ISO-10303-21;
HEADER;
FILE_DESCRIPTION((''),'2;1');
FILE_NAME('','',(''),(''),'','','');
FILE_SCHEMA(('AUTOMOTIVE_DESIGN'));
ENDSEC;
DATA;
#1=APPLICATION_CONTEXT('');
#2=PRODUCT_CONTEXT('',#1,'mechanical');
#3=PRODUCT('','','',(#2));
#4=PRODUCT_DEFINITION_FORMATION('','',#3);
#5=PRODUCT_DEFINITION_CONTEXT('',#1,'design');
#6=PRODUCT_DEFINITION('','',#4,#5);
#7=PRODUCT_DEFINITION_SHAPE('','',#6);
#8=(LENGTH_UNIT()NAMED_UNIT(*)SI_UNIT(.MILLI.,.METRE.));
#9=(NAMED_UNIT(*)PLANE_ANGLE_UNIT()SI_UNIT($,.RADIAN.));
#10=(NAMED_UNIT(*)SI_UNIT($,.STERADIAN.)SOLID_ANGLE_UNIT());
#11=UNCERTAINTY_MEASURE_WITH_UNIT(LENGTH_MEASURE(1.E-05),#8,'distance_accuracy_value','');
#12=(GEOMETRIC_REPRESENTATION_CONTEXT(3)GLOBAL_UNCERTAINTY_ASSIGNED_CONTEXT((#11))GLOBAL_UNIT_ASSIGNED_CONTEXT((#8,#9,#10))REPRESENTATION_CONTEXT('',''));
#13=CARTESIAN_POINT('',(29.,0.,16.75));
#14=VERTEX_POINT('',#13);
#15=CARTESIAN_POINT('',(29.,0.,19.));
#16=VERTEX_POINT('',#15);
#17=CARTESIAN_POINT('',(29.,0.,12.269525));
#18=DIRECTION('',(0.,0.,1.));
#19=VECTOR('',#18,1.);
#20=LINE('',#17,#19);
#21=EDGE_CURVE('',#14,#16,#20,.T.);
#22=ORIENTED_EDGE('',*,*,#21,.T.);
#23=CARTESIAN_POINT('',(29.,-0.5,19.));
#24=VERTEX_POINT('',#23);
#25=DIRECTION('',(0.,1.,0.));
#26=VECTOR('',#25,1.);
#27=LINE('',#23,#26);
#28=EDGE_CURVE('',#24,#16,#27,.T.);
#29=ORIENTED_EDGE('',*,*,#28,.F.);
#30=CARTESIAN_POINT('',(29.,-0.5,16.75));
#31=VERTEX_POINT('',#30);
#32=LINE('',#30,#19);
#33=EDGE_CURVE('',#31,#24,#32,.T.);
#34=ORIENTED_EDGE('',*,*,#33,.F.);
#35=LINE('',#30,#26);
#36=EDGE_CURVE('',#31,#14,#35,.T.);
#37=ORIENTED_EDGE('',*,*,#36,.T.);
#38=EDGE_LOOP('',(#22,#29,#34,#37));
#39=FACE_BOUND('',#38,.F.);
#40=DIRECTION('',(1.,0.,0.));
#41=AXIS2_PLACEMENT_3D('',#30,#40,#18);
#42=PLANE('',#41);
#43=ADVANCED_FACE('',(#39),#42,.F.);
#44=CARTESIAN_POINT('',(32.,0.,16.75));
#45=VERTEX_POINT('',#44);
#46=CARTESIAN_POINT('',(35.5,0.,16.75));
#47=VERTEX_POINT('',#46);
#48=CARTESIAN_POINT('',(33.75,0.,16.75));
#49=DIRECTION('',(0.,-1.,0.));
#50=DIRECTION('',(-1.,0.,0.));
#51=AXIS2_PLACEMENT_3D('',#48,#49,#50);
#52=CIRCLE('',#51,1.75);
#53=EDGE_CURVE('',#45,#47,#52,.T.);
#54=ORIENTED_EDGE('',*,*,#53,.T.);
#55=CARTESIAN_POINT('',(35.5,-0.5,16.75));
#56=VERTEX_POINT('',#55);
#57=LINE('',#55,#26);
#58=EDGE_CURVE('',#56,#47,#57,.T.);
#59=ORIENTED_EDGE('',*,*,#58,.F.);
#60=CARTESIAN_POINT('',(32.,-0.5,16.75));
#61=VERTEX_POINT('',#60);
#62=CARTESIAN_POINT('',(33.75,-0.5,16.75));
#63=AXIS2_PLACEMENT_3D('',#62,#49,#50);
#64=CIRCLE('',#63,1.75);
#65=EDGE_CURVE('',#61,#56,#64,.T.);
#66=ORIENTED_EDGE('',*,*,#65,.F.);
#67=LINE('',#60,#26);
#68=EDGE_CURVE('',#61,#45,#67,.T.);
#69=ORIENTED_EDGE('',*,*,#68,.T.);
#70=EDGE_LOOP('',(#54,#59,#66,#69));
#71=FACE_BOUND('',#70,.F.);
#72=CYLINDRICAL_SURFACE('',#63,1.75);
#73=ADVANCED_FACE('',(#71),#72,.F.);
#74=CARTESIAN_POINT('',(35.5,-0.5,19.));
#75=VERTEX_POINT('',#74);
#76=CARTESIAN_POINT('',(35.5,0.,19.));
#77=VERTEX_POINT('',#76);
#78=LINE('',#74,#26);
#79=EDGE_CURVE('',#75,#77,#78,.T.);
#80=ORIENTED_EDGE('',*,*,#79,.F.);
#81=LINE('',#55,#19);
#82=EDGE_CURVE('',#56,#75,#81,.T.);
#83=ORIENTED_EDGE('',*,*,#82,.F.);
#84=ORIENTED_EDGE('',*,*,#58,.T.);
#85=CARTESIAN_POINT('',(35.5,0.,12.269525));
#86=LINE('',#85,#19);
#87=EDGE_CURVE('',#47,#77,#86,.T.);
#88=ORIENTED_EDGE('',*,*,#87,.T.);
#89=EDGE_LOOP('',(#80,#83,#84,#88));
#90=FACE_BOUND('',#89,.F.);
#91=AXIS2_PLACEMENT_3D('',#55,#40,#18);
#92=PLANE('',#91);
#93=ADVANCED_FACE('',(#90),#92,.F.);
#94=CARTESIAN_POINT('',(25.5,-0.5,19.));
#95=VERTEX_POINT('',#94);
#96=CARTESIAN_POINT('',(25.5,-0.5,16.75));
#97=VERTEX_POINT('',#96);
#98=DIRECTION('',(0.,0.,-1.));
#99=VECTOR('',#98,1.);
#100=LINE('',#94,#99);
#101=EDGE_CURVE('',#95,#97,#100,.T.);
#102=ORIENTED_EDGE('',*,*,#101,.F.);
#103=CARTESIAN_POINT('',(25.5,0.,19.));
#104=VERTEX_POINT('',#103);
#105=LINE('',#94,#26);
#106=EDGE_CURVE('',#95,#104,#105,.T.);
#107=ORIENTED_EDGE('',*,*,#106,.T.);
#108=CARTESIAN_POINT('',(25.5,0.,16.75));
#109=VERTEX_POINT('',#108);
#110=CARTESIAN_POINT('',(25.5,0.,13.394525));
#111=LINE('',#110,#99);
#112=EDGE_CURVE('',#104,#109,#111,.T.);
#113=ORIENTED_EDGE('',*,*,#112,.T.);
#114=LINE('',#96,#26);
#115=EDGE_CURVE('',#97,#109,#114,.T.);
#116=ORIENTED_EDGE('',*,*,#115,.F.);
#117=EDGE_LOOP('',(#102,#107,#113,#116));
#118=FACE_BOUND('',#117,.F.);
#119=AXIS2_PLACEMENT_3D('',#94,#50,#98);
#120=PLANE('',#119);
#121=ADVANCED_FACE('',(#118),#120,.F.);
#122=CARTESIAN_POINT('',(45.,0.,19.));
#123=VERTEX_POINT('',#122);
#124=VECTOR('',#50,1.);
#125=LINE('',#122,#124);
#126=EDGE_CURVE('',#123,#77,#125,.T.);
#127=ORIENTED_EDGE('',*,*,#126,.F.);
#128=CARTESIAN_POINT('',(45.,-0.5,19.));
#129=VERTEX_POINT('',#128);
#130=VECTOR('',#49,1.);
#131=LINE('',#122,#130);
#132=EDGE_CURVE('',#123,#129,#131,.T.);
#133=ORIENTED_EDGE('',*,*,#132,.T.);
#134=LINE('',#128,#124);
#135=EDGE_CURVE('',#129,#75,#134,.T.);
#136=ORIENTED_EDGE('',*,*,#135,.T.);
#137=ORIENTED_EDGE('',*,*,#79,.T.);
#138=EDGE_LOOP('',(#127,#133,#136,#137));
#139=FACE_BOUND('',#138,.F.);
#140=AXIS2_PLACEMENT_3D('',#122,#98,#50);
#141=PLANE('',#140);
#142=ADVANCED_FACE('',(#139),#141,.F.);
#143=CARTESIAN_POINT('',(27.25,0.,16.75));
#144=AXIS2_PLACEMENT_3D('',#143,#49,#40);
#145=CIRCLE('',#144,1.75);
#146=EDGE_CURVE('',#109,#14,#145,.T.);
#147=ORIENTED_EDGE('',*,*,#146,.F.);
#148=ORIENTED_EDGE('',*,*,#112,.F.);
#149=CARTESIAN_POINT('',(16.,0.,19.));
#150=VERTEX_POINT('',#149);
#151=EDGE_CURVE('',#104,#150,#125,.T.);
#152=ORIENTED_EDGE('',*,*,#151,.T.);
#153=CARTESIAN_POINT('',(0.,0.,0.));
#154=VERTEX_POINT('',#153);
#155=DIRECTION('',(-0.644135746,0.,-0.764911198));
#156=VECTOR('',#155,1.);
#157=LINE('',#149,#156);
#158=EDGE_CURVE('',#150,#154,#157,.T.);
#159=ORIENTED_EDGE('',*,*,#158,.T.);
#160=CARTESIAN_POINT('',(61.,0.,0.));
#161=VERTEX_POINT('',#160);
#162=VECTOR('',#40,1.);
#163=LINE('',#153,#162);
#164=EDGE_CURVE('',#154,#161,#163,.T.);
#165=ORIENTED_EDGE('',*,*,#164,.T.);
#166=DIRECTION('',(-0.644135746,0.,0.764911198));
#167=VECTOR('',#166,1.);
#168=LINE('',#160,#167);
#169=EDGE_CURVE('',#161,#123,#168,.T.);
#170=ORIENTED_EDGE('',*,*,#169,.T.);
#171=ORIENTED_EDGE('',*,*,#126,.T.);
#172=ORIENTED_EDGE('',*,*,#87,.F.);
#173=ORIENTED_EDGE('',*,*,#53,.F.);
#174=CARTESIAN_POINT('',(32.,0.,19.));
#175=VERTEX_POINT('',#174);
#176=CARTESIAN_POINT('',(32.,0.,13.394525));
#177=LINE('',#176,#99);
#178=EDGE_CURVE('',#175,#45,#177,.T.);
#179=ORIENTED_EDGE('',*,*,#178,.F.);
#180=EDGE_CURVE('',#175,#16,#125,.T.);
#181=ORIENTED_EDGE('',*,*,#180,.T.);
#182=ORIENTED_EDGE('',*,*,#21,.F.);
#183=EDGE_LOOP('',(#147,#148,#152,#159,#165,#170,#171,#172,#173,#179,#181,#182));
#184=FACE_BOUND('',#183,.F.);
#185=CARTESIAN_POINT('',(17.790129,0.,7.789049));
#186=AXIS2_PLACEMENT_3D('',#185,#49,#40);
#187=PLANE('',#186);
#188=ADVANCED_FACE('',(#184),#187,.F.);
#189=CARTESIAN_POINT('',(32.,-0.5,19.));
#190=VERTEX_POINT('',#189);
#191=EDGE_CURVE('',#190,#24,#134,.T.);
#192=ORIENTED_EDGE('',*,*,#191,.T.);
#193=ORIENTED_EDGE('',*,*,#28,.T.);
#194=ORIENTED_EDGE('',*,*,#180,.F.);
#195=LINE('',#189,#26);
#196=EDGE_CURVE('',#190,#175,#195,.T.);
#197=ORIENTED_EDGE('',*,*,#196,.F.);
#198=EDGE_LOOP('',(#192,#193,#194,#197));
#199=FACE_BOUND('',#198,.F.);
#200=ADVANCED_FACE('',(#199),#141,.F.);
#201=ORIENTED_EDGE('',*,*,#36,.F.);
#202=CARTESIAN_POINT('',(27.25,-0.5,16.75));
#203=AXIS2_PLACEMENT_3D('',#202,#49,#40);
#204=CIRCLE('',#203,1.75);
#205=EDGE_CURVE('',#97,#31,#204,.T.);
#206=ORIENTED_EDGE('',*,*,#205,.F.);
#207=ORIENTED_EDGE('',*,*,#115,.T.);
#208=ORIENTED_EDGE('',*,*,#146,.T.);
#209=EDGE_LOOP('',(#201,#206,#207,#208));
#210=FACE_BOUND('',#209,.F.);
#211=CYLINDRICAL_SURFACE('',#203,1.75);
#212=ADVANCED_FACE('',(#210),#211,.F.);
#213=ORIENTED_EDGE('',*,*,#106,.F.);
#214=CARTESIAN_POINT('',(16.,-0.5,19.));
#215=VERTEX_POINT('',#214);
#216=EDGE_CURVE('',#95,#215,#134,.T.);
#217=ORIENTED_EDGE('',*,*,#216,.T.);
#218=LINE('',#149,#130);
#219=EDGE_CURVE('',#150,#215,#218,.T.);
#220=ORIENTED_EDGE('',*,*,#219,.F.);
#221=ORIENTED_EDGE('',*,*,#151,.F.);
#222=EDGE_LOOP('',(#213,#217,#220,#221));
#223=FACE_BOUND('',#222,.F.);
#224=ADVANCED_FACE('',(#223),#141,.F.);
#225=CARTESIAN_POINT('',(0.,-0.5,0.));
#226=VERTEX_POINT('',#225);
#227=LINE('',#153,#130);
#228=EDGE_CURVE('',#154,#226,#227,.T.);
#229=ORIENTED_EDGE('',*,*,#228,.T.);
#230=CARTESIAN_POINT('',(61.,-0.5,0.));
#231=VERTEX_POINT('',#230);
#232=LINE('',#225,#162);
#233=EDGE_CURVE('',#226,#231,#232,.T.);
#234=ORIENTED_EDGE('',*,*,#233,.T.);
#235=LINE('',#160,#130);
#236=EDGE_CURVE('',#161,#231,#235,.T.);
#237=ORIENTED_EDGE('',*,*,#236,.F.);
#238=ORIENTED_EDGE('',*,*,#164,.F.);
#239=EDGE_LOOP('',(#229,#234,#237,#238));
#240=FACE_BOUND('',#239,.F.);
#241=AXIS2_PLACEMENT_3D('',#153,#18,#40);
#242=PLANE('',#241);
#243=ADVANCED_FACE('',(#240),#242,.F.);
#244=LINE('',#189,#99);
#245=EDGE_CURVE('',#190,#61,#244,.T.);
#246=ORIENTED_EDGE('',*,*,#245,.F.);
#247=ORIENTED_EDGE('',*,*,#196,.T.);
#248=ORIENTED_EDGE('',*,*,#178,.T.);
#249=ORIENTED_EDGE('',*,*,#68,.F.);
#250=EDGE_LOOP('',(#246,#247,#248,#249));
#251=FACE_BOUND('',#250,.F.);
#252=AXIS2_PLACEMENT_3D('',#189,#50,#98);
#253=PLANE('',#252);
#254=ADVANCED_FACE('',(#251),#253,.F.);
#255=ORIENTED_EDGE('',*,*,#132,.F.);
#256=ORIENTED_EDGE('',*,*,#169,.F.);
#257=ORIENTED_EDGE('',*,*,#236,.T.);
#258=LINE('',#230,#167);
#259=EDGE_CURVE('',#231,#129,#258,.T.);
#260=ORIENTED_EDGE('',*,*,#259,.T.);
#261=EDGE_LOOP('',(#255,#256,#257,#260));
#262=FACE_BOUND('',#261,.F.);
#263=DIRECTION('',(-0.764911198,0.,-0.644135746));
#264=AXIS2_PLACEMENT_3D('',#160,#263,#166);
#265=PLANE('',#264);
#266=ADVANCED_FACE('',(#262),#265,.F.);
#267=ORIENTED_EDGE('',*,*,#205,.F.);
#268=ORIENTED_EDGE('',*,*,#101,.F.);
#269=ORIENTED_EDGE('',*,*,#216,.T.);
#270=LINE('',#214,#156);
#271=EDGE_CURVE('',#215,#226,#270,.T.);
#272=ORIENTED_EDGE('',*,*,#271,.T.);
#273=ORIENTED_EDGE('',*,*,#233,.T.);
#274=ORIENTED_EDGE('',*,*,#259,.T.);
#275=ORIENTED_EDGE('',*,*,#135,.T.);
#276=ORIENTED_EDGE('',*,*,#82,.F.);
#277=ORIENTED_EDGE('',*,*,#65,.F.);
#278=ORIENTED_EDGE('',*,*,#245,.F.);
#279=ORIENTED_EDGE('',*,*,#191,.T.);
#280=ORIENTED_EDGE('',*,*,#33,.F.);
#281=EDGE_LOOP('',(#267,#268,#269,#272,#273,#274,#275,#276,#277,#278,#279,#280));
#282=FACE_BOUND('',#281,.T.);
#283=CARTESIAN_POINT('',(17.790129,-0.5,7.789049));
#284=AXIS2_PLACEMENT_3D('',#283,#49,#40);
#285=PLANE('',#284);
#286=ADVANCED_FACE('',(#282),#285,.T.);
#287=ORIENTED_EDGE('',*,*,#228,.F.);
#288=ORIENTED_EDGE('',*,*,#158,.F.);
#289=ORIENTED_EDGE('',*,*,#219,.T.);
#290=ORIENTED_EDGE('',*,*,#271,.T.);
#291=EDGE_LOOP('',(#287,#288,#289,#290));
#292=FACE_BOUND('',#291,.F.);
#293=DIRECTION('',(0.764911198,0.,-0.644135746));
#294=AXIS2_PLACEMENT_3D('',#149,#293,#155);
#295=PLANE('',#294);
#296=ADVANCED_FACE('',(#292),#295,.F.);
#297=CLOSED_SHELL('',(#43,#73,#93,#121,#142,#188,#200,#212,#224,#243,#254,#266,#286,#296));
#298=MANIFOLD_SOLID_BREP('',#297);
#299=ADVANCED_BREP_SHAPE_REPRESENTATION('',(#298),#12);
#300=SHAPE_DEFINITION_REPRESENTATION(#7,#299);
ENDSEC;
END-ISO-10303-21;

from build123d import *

# Parameters (mm, degrees)
F1_DEPTH = 0.5
F3_DEPTH = 25


with BuildPart() as f1:
    # F0 (on Front) → F1 (new body)
    with BuildSketch(Plane.XZ):
        Polygon((16, 19), (0, 0), (30.5, 0), (30.5, 19), align=None)
        Polygon((30.5, 19), (30.5, 0), (61, 0), (45, 19), align=None)
    extrude(amount=F1_DEPTH)

    # F2 (on face) → F3 (cut)
    with BuildSketch(Plane.XZ.offset(0.5)):
        with BuildLine():
            Line((35.5, 19), (32, 19))
            Line((32, 19), (32, 16.75))
            ThreePointArc((32, 16.75), (33.75, 18.5), (35.5, 16.75))
            Line((35.5, 16.75), (35.5, 19))
        make_face()
        with BuildLine():
            ThreePointArc((35.5, 16.75), (33.75, 18.5), (32, 16.75))
            ThreePointArc((32, 16.75), (33.75, 15), (35.5, 16.75))
        make_face()
        with BuildLine():
            ThreePointArc((25.5, 16.75), (27.25, 15), (29, 16.75))
            ThreePointArc((29, 16.75), (27.25, 18.5), (25.5, 16.75))
        make_face()
        with BuildLine():
            Line((29, 16.75), (29, 19))
            Line((29, 19), (25.5, 19))
            Line((25.5, 19), (25.5, 16.75))
            ThreePointArc((25.5, 16.75), (27.25, 18.5), (29, 16.75))
        make_face()
    extrude(amount=-F3_DEPTH, mode=Mode.SUBTRACT)


solid = f1.part
